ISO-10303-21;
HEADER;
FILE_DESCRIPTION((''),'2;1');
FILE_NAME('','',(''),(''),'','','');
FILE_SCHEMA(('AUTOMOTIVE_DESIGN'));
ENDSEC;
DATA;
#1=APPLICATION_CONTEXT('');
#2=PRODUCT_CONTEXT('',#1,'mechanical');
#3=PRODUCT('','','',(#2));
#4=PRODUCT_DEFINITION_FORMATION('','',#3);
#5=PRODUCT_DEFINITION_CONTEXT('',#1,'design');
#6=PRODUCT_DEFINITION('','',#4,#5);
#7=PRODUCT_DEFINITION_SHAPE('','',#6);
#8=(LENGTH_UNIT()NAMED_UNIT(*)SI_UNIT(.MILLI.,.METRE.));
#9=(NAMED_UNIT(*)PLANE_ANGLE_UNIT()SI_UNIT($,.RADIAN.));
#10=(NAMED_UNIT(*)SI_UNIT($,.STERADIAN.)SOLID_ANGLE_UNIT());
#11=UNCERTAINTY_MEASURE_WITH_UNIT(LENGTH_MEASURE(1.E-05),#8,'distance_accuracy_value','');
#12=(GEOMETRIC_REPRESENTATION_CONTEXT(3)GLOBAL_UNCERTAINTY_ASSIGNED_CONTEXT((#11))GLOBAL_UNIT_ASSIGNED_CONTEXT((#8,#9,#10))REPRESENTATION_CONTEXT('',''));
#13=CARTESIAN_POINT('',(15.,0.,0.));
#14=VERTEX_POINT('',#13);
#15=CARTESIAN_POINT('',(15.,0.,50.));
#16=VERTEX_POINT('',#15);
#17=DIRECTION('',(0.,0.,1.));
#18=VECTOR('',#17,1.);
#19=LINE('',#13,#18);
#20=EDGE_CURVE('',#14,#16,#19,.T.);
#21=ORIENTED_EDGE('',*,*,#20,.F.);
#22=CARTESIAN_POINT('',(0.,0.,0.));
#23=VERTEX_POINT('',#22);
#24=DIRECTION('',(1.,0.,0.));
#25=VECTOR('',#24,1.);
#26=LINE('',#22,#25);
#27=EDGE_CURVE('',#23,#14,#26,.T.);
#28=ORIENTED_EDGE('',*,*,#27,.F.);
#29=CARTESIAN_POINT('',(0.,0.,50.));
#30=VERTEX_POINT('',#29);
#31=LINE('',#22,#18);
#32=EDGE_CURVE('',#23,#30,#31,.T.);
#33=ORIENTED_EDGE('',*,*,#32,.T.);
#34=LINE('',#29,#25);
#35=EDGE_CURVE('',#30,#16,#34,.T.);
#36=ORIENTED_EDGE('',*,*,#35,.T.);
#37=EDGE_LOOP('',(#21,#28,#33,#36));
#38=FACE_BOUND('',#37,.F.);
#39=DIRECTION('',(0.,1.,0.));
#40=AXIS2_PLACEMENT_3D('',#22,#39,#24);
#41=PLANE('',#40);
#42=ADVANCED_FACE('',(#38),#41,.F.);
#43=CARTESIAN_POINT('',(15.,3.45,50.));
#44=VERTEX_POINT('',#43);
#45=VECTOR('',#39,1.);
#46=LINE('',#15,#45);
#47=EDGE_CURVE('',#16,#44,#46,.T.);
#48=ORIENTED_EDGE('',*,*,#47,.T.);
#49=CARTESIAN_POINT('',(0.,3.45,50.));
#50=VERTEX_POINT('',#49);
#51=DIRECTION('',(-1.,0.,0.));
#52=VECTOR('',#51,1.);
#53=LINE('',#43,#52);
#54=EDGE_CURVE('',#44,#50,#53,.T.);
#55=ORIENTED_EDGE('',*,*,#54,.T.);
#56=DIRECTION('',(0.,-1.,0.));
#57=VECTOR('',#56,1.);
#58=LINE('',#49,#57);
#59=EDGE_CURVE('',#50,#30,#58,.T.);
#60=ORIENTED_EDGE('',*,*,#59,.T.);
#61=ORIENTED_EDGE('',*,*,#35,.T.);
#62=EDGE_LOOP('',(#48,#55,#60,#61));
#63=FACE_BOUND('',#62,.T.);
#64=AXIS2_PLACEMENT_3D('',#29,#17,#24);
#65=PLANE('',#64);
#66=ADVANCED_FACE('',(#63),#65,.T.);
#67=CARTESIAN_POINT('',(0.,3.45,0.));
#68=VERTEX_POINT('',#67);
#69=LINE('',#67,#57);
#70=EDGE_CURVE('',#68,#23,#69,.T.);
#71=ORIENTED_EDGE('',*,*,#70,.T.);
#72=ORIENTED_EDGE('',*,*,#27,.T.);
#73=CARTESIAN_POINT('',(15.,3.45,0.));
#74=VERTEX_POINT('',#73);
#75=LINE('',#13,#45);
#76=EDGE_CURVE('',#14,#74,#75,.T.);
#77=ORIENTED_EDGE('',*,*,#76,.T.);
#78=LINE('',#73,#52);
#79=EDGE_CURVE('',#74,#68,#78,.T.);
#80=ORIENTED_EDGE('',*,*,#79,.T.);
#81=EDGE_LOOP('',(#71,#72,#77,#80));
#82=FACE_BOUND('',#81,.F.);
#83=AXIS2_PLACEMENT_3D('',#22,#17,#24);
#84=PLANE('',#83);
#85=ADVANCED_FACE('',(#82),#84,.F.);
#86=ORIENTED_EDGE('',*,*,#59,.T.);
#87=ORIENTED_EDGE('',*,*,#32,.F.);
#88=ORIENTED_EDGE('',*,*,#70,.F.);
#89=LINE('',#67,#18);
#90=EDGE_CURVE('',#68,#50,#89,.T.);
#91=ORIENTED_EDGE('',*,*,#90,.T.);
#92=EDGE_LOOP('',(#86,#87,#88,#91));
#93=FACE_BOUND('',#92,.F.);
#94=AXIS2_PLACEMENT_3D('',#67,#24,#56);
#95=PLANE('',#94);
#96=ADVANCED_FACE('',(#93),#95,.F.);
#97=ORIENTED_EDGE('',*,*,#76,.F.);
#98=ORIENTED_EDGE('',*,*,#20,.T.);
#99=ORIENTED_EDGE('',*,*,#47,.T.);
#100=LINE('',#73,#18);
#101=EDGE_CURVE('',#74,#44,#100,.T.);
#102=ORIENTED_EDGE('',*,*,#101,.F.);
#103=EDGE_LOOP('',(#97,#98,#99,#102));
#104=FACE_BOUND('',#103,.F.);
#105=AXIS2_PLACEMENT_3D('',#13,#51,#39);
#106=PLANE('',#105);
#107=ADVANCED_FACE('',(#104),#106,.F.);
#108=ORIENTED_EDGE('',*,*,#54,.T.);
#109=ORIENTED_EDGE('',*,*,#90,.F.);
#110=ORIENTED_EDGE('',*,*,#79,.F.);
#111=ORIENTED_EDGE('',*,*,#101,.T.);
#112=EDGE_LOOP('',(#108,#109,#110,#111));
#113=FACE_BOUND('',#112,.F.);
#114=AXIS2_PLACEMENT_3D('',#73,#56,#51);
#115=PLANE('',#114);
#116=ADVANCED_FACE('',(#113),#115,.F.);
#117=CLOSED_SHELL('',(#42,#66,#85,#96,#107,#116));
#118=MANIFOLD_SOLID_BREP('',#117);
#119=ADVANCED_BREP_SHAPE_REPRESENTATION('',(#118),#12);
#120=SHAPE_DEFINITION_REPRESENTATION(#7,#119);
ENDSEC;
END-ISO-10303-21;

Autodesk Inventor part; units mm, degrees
ref_plane "YZ Plane" through (0, 0, 0) normal (1, 0, 0) x (0, 1, 0)
ref_plane "XZ Plane" through (0, 0, 0) normal (0, 1, 0) x (-1, 0, 0)
ref_plane "XY Plane" through (0, 0, 0) normal (0, 0, 1) x (1, 0, 0)
sketch "Sketch1" plane through (0, 0, 0) normal (0, 0, 1) x (1, 0, 0)
  line L0 (0, 0) -> (15, 0)
  line L1 (15, 0) -> (15, 3.45)
  line L2 (15, 3.45) -> (0, 3.45)
  line L3 (0, 3.45) -> (0, 0)
  dimension "d0" = 15
  dimension "d1" = 3.45
extrude "Extrusion1" add sketch "Sketch1" along normal blind 50
